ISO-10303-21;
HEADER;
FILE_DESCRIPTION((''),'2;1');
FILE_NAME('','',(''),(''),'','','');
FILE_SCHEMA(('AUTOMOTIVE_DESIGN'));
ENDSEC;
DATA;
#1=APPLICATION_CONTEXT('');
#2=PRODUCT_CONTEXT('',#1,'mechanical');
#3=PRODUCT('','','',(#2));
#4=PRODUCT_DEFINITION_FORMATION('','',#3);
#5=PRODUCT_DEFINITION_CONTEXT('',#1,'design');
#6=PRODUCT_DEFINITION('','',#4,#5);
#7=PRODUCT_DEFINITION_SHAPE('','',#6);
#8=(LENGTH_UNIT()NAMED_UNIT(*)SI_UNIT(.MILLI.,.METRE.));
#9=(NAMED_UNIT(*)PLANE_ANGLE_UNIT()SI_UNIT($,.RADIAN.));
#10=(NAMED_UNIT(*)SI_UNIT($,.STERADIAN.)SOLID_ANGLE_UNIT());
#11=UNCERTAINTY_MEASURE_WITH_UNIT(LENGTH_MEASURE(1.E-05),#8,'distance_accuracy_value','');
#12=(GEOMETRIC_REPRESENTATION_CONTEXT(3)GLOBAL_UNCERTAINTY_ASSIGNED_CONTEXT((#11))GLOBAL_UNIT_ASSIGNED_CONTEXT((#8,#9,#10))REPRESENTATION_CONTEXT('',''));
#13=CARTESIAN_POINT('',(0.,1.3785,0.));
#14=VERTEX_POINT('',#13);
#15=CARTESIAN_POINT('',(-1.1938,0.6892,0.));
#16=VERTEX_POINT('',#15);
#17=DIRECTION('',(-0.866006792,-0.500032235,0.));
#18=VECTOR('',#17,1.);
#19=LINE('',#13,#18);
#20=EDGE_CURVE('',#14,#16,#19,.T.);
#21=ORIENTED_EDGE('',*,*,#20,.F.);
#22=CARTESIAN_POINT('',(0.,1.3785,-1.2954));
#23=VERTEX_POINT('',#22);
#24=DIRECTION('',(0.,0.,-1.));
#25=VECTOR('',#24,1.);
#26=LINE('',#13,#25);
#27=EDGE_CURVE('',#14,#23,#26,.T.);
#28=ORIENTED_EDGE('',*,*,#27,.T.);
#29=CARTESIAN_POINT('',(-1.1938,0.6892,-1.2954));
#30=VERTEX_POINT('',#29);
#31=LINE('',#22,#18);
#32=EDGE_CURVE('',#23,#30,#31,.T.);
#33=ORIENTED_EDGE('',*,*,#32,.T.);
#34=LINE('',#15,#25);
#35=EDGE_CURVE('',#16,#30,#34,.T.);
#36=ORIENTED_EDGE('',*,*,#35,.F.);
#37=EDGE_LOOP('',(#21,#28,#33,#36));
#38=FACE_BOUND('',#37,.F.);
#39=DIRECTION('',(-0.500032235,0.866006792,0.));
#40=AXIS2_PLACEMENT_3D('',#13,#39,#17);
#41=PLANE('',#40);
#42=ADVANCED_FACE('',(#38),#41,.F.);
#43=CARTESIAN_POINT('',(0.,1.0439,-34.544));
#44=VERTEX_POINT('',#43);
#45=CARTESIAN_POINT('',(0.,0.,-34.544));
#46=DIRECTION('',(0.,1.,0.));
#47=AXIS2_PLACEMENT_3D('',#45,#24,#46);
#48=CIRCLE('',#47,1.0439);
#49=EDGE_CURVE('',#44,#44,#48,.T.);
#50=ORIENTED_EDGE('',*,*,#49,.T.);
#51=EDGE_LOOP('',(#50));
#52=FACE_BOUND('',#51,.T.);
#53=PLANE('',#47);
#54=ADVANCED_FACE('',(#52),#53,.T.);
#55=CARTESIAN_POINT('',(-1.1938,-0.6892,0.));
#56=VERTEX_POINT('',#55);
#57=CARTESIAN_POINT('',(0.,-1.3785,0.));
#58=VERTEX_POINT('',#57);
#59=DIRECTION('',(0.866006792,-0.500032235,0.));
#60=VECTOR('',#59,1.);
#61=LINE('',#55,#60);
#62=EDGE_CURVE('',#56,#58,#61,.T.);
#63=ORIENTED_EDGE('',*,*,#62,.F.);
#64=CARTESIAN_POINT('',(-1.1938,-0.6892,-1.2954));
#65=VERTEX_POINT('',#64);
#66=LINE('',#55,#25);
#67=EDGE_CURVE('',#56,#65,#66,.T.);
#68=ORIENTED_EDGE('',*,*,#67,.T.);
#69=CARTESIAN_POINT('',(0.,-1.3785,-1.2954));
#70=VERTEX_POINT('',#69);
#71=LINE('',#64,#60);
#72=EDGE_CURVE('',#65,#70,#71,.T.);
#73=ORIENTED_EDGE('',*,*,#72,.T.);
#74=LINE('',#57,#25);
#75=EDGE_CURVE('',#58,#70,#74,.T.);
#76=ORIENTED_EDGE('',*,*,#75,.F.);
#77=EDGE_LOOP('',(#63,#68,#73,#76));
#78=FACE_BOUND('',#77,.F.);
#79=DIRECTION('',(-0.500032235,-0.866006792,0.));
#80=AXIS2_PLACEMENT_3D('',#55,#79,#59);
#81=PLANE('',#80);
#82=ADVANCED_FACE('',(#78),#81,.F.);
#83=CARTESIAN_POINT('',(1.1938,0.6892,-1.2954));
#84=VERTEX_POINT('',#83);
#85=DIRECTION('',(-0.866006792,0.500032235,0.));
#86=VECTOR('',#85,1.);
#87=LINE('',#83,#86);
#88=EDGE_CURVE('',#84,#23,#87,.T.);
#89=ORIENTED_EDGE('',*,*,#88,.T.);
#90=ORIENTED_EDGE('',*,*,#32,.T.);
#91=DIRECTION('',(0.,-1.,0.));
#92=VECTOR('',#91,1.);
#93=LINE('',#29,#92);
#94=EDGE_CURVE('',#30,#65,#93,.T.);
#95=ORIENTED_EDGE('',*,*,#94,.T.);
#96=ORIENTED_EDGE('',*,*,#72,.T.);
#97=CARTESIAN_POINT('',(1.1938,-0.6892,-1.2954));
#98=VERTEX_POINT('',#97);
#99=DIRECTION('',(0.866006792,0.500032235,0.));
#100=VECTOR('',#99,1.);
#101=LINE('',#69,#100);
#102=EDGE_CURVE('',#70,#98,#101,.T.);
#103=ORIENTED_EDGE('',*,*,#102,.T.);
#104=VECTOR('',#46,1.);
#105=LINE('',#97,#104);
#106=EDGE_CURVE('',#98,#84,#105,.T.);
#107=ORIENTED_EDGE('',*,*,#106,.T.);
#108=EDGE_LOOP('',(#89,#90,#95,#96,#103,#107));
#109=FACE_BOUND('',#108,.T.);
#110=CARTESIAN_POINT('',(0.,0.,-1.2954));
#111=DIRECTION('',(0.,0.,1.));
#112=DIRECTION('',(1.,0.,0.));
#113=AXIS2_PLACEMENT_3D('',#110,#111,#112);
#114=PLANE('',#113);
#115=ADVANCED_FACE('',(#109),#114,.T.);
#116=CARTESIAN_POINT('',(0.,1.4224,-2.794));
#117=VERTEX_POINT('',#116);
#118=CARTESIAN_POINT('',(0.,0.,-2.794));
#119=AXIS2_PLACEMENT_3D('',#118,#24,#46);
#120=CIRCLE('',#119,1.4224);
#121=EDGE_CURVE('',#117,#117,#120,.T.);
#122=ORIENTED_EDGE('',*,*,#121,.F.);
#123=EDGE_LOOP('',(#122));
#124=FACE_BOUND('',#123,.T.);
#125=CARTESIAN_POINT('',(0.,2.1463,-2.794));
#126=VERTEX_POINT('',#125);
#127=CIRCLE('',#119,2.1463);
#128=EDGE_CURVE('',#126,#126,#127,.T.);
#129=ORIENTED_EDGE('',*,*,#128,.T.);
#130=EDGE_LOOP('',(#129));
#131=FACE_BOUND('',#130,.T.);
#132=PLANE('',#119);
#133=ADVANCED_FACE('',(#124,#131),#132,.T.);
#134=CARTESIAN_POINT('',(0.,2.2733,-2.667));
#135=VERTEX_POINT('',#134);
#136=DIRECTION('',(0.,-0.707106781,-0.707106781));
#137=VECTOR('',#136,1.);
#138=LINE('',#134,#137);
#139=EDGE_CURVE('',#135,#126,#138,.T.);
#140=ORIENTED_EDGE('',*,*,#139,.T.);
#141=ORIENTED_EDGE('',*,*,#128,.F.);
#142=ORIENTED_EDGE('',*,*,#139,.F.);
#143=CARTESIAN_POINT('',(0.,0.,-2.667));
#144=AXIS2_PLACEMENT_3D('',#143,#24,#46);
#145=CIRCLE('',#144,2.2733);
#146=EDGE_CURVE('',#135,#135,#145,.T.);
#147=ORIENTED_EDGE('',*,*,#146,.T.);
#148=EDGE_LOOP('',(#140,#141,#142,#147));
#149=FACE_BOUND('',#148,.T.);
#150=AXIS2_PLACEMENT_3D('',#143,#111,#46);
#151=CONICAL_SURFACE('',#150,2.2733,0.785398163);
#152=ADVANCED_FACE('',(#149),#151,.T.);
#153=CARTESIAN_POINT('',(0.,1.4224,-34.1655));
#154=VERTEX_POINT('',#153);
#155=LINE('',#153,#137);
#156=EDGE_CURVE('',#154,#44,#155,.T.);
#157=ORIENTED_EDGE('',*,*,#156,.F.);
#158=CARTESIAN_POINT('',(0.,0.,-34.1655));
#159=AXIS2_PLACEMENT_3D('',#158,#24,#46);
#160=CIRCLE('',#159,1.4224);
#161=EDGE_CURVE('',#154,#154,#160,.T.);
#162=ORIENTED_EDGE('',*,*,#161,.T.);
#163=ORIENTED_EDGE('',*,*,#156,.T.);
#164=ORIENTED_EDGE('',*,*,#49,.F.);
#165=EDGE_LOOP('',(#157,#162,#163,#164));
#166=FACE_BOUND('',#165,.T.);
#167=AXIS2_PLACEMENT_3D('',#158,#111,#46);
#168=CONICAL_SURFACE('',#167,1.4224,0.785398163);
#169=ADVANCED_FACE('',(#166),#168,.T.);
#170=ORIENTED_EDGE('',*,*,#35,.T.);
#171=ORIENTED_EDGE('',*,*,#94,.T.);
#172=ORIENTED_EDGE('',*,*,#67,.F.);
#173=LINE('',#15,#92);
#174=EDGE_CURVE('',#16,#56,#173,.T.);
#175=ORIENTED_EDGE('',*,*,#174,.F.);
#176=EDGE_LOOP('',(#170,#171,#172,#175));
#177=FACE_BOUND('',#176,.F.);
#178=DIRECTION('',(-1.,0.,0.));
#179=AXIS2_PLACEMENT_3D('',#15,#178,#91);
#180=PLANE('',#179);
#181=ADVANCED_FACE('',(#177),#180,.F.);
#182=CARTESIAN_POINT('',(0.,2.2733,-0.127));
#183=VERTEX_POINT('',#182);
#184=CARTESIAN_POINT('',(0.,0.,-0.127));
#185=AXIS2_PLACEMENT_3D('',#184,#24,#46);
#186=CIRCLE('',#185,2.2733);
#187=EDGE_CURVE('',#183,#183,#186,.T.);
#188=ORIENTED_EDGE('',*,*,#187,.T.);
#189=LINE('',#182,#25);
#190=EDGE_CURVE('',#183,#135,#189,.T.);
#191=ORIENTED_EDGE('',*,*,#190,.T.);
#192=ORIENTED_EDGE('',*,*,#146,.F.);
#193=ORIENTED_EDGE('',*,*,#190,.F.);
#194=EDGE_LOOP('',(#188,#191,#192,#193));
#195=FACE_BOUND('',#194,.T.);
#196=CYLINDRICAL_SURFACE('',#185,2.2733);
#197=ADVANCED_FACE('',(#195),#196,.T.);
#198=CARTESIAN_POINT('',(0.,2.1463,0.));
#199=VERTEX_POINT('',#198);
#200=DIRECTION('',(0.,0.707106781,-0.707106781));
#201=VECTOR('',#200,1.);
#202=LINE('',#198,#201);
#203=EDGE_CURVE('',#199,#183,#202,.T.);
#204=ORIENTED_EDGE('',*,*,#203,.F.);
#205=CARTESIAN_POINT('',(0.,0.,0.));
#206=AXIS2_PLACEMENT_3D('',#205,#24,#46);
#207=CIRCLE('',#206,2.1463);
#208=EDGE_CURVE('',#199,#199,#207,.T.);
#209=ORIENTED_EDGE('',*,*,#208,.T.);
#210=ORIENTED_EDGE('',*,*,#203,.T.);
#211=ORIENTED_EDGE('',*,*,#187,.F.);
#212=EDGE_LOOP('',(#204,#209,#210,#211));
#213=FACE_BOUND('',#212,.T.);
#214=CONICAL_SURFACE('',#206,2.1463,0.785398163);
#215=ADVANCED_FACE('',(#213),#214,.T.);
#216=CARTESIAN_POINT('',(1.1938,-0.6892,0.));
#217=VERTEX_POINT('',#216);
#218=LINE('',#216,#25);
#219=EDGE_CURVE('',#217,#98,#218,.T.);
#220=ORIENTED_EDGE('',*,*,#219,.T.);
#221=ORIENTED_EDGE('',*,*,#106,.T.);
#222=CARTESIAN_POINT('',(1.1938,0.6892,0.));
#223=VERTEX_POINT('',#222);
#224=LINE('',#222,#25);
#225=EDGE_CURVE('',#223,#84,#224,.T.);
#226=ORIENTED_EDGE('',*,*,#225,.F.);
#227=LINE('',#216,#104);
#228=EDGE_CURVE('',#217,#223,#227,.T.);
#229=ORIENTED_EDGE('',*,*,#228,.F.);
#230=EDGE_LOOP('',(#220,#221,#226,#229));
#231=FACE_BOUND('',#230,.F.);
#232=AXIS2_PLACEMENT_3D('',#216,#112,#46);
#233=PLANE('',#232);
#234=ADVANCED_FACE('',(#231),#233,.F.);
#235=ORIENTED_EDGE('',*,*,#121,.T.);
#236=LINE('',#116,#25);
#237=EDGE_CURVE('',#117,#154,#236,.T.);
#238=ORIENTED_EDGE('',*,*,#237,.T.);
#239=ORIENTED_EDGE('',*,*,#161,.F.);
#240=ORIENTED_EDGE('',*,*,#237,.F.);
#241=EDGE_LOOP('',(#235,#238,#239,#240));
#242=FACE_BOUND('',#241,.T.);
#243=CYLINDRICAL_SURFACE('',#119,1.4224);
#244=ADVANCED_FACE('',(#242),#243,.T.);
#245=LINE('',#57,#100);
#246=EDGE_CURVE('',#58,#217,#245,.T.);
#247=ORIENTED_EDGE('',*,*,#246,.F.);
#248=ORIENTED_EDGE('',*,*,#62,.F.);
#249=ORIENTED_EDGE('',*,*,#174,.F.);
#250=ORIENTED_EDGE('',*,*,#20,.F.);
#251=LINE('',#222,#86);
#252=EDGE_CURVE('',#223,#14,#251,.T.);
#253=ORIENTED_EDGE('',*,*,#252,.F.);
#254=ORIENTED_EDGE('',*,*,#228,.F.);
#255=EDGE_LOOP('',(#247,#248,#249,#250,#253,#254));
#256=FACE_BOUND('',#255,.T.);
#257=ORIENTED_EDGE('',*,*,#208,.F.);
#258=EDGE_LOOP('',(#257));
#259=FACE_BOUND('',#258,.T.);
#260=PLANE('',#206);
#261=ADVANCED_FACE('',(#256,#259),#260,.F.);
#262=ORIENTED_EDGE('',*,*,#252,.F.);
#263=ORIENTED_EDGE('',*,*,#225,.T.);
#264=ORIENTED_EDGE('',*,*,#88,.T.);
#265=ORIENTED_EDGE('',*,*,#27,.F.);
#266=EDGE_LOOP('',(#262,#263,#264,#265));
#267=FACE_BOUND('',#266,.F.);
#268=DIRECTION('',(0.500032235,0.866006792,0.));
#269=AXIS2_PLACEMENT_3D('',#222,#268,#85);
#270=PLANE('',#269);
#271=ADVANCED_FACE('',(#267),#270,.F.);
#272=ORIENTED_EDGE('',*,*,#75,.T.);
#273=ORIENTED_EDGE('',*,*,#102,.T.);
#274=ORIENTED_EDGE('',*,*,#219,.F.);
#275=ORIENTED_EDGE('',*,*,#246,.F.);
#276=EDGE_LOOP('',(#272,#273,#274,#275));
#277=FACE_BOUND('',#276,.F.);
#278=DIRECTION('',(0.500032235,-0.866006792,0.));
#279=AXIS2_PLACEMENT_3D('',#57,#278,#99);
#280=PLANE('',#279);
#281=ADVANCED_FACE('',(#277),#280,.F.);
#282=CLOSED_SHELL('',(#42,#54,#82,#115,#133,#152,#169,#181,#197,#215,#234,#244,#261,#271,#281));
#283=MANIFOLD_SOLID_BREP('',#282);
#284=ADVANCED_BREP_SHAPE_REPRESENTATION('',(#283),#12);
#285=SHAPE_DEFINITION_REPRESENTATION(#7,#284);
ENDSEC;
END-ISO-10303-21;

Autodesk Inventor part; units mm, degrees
sketch "Sketch_1" plane through (0, 0, 0) normal (1, 0, 0) x (0, 1, 0)
  line L0 (0, -34.544) -> (0, 0)
  line L1 (0, 0) -> (2.1463, 0)
  line L2 (2.1463, 0) -> (2.2733, -0.127)
  line L3 (2.2733, -0.127) -> (2.2733, -2.667)
  line L4 (2.2733, -2.667) -> (2.1463, -2.794)
  line L5 (2.1463, -2.794) -> (1.4224, -2.794)
  line L6 (1.4224, -2.794) -> (1.4224, -34.1655)
  line L7 (1.4224, -34.1655) -> (1.0439, -34.544)
  line L8 (1.0439, -34.544) -> (0, -34.544)
  line L9 (0, -34.544) -> (0, 0)
revolve "Revolution1" add sketch "Sketch_1" angle 360 about axis through (0, 0, -34.544) along (0, 0, -1)
thread "Thread1" size "4-40 UNC" class "2A" standard "ANSI Unified Screw Threads" length 15.4965
sketch "Sketch_3" plane through (0, 0, 0) normal (0, 0, 1) x (1, 0, 0)
  line L0 (-1.1938, -0.6892) -> (0, -1.3785)
  line L1 (0, -1.3785) -> (1.1938, -0.6892)
  line L2 (1.1938, -0.6892) -> (1.1938, 0.6892)
  line L3 (1.1938, 0.6892) -> (0, 1.3785)
  line L4 (0, 1.3785) -> (-1.1938, 0.6892)
  line L5 (-1.1938, 0.6892) -> (-1.1938, -0.6892)
extrude "Extrusion1" cut sketch "Sketch_3" against normal blind 1.2954
ref_plane "screw_XY" through (0, 0, -2.794) normal (0, 0, 1) x (1, 0, 0)
ref_plane "screw_YZ" through (0, 0, -2.794) normal (1, 0, 0) x (0, 1, 0)
ref_plane "screw_ZX" through (0, 0, -2.794) normal (0, 1, 0) x (0, 0, 1)
properties part number "D-D0144-SS-1.25-bif"
